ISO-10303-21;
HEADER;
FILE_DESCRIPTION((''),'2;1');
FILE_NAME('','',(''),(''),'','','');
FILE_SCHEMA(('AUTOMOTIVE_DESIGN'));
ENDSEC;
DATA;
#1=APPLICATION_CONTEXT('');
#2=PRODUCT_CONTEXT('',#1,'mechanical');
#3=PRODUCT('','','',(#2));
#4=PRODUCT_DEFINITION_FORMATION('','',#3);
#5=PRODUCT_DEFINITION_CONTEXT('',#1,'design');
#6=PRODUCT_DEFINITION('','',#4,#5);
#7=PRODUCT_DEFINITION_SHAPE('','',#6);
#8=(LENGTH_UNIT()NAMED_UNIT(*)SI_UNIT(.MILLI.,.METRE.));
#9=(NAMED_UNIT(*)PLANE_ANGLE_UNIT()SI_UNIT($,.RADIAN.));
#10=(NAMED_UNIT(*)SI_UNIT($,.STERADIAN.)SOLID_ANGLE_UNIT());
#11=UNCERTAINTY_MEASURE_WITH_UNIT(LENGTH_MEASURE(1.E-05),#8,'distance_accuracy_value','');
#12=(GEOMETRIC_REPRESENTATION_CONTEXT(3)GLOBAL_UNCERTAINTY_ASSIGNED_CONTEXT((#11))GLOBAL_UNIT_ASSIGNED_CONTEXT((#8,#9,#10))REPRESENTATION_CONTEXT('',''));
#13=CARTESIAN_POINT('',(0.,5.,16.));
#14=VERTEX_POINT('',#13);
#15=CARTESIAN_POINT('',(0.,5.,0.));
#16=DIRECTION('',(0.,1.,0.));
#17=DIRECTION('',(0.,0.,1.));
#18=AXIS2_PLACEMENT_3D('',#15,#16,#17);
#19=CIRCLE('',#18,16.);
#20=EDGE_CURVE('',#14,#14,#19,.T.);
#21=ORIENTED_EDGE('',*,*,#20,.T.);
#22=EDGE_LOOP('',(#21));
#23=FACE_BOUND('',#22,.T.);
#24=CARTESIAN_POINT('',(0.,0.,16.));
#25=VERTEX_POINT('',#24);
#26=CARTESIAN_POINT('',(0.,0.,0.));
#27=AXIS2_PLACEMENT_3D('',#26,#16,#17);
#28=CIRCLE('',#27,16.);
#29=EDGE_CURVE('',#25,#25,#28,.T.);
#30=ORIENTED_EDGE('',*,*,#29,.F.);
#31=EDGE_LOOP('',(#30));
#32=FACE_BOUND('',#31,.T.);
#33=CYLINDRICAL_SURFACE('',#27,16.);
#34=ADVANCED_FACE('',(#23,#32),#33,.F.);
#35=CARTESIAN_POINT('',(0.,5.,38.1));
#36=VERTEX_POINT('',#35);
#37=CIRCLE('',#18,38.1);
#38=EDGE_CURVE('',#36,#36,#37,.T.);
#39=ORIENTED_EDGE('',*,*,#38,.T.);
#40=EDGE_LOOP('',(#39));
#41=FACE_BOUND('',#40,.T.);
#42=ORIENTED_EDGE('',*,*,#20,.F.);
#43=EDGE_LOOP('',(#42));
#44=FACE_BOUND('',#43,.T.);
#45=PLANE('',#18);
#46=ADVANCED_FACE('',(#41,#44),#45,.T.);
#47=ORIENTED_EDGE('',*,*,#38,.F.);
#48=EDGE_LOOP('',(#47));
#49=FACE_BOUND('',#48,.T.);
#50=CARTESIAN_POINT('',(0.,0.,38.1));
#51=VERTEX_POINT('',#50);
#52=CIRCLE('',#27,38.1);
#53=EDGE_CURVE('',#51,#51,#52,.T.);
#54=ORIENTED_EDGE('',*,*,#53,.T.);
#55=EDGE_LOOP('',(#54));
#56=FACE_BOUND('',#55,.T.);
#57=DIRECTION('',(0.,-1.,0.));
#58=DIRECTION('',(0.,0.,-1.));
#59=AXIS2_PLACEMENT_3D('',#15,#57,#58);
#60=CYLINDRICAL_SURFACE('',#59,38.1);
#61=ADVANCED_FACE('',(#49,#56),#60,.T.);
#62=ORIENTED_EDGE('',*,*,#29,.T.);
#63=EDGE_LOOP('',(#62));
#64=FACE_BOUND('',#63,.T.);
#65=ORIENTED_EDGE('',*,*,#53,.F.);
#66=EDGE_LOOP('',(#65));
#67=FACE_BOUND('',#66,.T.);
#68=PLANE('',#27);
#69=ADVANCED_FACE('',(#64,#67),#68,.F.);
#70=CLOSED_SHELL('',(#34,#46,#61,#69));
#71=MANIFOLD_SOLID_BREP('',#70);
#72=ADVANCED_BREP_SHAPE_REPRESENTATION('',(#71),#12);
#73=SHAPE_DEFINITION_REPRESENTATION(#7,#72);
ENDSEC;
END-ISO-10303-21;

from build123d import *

# Parameters (mm, degrees)
SKETCH1_R           = 38.1
BOSS_EXTRUDE1_DEPTH = 5
SKETCH2_R           = 16
CUT_EXTRUDE1_DEPTH  = 5


with BuildPart() as part:
    # Sketch1 → Boss-Extrude1 (new body)
    with BuildSketch(Plane(origin=(0, 0, 0), x_dir=(1, 0, 0), z_dir=(0, 1, 0))):
        with Locations(Location((0, 0, 0), (0, 0, 270))):
            Circle(SKETCH1_R)
    extrude(amount=BOSS_EXTRUDE1_DEPTH)

    # Sketch2 → Cut-Extrude1 (cut)
    with BuildSketch(Plane(origin=(0, 5, 0), x_dir=(1, 0, 0), z_dir=(0, 1, 0))):
        with Locations(Location((0, 0, 0), (0, 0, 270))):
            Circle(SKETCH2_R)
    extrude(amount=-CUT_EXTRUDE1_DEPTH, mode=Mode.SUBTRACT)


solid = part.part
